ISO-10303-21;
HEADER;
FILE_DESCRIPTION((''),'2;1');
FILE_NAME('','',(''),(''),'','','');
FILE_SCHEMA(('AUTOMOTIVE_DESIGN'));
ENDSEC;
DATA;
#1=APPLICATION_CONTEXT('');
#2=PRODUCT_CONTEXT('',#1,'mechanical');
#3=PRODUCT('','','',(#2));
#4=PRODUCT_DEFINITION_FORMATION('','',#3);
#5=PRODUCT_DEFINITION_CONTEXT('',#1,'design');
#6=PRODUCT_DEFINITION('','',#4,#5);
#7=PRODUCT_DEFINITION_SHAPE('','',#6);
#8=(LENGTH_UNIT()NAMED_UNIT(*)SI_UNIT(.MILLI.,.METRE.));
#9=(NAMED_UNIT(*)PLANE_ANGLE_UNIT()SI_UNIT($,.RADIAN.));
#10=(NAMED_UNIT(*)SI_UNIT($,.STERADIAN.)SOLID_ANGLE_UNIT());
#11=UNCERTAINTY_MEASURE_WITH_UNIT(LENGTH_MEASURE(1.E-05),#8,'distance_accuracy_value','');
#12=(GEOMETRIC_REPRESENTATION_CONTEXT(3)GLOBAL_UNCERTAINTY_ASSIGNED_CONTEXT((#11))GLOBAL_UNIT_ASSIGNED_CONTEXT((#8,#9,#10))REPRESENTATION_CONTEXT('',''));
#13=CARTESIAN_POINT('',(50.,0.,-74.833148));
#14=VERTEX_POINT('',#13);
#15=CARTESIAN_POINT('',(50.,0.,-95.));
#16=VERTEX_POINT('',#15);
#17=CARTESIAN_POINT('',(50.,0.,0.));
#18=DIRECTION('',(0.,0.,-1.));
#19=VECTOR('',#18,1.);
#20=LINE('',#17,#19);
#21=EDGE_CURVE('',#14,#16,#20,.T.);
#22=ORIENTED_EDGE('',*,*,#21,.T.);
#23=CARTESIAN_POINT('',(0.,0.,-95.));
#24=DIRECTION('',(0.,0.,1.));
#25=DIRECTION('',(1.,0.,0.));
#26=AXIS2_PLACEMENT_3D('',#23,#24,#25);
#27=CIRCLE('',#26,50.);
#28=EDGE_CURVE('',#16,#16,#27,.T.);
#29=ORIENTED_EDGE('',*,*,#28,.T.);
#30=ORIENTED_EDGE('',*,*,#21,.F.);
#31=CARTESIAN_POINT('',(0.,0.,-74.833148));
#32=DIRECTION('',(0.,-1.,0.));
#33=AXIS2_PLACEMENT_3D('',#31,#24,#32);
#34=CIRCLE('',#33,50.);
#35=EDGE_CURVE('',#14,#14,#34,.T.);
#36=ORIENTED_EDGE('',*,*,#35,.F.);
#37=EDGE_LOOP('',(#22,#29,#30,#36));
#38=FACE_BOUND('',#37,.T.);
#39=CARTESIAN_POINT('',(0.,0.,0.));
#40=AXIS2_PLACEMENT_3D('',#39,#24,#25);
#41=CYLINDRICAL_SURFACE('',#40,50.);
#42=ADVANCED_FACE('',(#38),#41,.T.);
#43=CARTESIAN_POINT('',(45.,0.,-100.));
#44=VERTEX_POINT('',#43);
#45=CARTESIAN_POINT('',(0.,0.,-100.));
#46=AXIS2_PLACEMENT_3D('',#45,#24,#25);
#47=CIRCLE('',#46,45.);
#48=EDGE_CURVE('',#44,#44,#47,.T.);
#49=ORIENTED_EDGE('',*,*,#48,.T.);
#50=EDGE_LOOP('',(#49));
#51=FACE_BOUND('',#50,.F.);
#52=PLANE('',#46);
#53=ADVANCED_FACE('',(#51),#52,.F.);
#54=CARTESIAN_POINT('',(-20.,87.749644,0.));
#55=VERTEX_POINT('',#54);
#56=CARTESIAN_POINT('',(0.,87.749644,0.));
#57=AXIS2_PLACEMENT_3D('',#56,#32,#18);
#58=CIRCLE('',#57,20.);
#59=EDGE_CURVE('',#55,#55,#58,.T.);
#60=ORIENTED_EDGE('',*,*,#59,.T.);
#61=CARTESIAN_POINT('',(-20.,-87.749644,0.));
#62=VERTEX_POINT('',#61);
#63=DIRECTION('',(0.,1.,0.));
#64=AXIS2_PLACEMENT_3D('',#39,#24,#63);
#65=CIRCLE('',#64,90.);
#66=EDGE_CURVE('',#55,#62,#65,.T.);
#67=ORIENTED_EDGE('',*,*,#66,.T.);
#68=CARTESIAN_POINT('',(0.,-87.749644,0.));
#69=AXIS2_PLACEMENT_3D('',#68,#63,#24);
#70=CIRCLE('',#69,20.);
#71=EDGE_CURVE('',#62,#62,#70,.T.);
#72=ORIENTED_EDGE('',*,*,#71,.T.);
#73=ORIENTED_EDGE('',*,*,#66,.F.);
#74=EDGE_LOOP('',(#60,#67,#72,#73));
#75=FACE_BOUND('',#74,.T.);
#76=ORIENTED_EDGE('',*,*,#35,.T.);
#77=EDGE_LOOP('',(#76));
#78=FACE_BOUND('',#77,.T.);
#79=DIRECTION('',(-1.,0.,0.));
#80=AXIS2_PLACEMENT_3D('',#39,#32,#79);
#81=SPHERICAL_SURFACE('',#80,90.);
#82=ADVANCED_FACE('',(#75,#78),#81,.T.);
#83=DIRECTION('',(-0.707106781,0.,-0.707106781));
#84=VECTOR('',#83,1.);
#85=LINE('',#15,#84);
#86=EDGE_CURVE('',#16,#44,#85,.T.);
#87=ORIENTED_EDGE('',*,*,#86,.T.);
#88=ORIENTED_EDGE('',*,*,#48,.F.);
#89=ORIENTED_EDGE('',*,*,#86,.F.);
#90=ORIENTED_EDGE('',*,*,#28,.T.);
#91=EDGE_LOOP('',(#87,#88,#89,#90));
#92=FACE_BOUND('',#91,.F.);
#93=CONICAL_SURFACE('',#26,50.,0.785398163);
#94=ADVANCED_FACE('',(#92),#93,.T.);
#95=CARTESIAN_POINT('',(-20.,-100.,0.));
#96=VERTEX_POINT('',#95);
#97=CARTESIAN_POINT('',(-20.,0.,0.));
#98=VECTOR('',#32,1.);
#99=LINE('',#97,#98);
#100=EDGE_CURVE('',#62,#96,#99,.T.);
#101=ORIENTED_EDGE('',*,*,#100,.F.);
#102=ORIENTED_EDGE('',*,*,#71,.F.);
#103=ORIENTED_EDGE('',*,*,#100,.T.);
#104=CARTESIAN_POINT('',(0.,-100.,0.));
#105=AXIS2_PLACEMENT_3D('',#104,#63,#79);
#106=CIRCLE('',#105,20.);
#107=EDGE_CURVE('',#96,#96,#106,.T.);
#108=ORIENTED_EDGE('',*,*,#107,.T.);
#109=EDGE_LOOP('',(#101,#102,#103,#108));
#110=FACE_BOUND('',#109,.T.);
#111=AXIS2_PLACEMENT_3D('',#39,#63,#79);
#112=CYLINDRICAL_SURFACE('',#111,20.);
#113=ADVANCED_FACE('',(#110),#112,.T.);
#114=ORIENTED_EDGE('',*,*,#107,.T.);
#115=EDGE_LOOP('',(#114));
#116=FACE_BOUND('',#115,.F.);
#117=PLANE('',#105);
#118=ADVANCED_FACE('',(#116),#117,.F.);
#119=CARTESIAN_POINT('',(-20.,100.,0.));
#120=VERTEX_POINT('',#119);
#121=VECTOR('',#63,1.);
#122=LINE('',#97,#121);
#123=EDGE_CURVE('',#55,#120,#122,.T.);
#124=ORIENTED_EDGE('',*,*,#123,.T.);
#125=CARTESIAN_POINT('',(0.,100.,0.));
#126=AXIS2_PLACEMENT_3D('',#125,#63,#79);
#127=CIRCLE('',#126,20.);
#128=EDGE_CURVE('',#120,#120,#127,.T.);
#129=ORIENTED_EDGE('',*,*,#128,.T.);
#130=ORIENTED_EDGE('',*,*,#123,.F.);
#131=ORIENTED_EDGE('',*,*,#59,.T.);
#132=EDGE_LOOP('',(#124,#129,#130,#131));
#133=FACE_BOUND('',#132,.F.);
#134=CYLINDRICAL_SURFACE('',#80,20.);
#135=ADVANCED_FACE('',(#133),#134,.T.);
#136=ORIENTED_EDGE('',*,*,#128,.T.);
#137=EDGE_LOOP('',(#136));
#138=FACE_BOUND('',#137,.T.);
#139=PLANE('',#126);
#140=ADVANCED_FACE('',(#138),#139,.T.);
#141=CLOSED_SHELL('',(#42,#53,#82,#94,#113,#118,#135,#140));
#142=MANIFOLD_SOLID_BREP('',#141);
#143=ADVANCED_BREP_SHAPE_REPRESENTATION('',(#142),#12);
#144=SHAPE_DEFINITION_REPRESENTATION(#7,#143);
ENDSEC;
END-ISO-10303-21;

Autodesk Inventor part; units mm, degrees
ref_plane "YZ Plane" through (0, 0, 0) normal (1, 0, 0) x (0, 1, 0)
sketch "スケッチ1" plane through (0, 0, 0) normal (0, 0, 1) x (1, 0, 0)
  arc A0 (0, 90) -> (0, -90) centre (0, 0) ccw
  line L0 (0, 90) -> (0, -90)
  dimension "d0" = 180
revolve "回転1" add sketch "スケッチ1" angle 360 about axis through (0, 90, 0) along (0, -1, 0)
sketch "スケッチ2" plane through (0, 0, 0) normal (0, 1, 0) x (-1, 0, 0)
  circle A0 centre (0, 0) radius 20
  dimension "d2" = 40
extrude "押し出し1" add sketch "スケッチ2" along normal mid plane 200
sketch "スケッチ3" plane through (0, 0, 0) normal (0, 0, 1) x (1, 0, 0)
  circle A0 centre (0, 0) radius 50
  dimension "d5" = 100
extrude "押し出し2" add sketch "スケッチ3" against normal blind 100
chamfer "面取り1" distance 5 angle 45 1 edges at (-50, 0, -100)
properties part number "ChestY"
